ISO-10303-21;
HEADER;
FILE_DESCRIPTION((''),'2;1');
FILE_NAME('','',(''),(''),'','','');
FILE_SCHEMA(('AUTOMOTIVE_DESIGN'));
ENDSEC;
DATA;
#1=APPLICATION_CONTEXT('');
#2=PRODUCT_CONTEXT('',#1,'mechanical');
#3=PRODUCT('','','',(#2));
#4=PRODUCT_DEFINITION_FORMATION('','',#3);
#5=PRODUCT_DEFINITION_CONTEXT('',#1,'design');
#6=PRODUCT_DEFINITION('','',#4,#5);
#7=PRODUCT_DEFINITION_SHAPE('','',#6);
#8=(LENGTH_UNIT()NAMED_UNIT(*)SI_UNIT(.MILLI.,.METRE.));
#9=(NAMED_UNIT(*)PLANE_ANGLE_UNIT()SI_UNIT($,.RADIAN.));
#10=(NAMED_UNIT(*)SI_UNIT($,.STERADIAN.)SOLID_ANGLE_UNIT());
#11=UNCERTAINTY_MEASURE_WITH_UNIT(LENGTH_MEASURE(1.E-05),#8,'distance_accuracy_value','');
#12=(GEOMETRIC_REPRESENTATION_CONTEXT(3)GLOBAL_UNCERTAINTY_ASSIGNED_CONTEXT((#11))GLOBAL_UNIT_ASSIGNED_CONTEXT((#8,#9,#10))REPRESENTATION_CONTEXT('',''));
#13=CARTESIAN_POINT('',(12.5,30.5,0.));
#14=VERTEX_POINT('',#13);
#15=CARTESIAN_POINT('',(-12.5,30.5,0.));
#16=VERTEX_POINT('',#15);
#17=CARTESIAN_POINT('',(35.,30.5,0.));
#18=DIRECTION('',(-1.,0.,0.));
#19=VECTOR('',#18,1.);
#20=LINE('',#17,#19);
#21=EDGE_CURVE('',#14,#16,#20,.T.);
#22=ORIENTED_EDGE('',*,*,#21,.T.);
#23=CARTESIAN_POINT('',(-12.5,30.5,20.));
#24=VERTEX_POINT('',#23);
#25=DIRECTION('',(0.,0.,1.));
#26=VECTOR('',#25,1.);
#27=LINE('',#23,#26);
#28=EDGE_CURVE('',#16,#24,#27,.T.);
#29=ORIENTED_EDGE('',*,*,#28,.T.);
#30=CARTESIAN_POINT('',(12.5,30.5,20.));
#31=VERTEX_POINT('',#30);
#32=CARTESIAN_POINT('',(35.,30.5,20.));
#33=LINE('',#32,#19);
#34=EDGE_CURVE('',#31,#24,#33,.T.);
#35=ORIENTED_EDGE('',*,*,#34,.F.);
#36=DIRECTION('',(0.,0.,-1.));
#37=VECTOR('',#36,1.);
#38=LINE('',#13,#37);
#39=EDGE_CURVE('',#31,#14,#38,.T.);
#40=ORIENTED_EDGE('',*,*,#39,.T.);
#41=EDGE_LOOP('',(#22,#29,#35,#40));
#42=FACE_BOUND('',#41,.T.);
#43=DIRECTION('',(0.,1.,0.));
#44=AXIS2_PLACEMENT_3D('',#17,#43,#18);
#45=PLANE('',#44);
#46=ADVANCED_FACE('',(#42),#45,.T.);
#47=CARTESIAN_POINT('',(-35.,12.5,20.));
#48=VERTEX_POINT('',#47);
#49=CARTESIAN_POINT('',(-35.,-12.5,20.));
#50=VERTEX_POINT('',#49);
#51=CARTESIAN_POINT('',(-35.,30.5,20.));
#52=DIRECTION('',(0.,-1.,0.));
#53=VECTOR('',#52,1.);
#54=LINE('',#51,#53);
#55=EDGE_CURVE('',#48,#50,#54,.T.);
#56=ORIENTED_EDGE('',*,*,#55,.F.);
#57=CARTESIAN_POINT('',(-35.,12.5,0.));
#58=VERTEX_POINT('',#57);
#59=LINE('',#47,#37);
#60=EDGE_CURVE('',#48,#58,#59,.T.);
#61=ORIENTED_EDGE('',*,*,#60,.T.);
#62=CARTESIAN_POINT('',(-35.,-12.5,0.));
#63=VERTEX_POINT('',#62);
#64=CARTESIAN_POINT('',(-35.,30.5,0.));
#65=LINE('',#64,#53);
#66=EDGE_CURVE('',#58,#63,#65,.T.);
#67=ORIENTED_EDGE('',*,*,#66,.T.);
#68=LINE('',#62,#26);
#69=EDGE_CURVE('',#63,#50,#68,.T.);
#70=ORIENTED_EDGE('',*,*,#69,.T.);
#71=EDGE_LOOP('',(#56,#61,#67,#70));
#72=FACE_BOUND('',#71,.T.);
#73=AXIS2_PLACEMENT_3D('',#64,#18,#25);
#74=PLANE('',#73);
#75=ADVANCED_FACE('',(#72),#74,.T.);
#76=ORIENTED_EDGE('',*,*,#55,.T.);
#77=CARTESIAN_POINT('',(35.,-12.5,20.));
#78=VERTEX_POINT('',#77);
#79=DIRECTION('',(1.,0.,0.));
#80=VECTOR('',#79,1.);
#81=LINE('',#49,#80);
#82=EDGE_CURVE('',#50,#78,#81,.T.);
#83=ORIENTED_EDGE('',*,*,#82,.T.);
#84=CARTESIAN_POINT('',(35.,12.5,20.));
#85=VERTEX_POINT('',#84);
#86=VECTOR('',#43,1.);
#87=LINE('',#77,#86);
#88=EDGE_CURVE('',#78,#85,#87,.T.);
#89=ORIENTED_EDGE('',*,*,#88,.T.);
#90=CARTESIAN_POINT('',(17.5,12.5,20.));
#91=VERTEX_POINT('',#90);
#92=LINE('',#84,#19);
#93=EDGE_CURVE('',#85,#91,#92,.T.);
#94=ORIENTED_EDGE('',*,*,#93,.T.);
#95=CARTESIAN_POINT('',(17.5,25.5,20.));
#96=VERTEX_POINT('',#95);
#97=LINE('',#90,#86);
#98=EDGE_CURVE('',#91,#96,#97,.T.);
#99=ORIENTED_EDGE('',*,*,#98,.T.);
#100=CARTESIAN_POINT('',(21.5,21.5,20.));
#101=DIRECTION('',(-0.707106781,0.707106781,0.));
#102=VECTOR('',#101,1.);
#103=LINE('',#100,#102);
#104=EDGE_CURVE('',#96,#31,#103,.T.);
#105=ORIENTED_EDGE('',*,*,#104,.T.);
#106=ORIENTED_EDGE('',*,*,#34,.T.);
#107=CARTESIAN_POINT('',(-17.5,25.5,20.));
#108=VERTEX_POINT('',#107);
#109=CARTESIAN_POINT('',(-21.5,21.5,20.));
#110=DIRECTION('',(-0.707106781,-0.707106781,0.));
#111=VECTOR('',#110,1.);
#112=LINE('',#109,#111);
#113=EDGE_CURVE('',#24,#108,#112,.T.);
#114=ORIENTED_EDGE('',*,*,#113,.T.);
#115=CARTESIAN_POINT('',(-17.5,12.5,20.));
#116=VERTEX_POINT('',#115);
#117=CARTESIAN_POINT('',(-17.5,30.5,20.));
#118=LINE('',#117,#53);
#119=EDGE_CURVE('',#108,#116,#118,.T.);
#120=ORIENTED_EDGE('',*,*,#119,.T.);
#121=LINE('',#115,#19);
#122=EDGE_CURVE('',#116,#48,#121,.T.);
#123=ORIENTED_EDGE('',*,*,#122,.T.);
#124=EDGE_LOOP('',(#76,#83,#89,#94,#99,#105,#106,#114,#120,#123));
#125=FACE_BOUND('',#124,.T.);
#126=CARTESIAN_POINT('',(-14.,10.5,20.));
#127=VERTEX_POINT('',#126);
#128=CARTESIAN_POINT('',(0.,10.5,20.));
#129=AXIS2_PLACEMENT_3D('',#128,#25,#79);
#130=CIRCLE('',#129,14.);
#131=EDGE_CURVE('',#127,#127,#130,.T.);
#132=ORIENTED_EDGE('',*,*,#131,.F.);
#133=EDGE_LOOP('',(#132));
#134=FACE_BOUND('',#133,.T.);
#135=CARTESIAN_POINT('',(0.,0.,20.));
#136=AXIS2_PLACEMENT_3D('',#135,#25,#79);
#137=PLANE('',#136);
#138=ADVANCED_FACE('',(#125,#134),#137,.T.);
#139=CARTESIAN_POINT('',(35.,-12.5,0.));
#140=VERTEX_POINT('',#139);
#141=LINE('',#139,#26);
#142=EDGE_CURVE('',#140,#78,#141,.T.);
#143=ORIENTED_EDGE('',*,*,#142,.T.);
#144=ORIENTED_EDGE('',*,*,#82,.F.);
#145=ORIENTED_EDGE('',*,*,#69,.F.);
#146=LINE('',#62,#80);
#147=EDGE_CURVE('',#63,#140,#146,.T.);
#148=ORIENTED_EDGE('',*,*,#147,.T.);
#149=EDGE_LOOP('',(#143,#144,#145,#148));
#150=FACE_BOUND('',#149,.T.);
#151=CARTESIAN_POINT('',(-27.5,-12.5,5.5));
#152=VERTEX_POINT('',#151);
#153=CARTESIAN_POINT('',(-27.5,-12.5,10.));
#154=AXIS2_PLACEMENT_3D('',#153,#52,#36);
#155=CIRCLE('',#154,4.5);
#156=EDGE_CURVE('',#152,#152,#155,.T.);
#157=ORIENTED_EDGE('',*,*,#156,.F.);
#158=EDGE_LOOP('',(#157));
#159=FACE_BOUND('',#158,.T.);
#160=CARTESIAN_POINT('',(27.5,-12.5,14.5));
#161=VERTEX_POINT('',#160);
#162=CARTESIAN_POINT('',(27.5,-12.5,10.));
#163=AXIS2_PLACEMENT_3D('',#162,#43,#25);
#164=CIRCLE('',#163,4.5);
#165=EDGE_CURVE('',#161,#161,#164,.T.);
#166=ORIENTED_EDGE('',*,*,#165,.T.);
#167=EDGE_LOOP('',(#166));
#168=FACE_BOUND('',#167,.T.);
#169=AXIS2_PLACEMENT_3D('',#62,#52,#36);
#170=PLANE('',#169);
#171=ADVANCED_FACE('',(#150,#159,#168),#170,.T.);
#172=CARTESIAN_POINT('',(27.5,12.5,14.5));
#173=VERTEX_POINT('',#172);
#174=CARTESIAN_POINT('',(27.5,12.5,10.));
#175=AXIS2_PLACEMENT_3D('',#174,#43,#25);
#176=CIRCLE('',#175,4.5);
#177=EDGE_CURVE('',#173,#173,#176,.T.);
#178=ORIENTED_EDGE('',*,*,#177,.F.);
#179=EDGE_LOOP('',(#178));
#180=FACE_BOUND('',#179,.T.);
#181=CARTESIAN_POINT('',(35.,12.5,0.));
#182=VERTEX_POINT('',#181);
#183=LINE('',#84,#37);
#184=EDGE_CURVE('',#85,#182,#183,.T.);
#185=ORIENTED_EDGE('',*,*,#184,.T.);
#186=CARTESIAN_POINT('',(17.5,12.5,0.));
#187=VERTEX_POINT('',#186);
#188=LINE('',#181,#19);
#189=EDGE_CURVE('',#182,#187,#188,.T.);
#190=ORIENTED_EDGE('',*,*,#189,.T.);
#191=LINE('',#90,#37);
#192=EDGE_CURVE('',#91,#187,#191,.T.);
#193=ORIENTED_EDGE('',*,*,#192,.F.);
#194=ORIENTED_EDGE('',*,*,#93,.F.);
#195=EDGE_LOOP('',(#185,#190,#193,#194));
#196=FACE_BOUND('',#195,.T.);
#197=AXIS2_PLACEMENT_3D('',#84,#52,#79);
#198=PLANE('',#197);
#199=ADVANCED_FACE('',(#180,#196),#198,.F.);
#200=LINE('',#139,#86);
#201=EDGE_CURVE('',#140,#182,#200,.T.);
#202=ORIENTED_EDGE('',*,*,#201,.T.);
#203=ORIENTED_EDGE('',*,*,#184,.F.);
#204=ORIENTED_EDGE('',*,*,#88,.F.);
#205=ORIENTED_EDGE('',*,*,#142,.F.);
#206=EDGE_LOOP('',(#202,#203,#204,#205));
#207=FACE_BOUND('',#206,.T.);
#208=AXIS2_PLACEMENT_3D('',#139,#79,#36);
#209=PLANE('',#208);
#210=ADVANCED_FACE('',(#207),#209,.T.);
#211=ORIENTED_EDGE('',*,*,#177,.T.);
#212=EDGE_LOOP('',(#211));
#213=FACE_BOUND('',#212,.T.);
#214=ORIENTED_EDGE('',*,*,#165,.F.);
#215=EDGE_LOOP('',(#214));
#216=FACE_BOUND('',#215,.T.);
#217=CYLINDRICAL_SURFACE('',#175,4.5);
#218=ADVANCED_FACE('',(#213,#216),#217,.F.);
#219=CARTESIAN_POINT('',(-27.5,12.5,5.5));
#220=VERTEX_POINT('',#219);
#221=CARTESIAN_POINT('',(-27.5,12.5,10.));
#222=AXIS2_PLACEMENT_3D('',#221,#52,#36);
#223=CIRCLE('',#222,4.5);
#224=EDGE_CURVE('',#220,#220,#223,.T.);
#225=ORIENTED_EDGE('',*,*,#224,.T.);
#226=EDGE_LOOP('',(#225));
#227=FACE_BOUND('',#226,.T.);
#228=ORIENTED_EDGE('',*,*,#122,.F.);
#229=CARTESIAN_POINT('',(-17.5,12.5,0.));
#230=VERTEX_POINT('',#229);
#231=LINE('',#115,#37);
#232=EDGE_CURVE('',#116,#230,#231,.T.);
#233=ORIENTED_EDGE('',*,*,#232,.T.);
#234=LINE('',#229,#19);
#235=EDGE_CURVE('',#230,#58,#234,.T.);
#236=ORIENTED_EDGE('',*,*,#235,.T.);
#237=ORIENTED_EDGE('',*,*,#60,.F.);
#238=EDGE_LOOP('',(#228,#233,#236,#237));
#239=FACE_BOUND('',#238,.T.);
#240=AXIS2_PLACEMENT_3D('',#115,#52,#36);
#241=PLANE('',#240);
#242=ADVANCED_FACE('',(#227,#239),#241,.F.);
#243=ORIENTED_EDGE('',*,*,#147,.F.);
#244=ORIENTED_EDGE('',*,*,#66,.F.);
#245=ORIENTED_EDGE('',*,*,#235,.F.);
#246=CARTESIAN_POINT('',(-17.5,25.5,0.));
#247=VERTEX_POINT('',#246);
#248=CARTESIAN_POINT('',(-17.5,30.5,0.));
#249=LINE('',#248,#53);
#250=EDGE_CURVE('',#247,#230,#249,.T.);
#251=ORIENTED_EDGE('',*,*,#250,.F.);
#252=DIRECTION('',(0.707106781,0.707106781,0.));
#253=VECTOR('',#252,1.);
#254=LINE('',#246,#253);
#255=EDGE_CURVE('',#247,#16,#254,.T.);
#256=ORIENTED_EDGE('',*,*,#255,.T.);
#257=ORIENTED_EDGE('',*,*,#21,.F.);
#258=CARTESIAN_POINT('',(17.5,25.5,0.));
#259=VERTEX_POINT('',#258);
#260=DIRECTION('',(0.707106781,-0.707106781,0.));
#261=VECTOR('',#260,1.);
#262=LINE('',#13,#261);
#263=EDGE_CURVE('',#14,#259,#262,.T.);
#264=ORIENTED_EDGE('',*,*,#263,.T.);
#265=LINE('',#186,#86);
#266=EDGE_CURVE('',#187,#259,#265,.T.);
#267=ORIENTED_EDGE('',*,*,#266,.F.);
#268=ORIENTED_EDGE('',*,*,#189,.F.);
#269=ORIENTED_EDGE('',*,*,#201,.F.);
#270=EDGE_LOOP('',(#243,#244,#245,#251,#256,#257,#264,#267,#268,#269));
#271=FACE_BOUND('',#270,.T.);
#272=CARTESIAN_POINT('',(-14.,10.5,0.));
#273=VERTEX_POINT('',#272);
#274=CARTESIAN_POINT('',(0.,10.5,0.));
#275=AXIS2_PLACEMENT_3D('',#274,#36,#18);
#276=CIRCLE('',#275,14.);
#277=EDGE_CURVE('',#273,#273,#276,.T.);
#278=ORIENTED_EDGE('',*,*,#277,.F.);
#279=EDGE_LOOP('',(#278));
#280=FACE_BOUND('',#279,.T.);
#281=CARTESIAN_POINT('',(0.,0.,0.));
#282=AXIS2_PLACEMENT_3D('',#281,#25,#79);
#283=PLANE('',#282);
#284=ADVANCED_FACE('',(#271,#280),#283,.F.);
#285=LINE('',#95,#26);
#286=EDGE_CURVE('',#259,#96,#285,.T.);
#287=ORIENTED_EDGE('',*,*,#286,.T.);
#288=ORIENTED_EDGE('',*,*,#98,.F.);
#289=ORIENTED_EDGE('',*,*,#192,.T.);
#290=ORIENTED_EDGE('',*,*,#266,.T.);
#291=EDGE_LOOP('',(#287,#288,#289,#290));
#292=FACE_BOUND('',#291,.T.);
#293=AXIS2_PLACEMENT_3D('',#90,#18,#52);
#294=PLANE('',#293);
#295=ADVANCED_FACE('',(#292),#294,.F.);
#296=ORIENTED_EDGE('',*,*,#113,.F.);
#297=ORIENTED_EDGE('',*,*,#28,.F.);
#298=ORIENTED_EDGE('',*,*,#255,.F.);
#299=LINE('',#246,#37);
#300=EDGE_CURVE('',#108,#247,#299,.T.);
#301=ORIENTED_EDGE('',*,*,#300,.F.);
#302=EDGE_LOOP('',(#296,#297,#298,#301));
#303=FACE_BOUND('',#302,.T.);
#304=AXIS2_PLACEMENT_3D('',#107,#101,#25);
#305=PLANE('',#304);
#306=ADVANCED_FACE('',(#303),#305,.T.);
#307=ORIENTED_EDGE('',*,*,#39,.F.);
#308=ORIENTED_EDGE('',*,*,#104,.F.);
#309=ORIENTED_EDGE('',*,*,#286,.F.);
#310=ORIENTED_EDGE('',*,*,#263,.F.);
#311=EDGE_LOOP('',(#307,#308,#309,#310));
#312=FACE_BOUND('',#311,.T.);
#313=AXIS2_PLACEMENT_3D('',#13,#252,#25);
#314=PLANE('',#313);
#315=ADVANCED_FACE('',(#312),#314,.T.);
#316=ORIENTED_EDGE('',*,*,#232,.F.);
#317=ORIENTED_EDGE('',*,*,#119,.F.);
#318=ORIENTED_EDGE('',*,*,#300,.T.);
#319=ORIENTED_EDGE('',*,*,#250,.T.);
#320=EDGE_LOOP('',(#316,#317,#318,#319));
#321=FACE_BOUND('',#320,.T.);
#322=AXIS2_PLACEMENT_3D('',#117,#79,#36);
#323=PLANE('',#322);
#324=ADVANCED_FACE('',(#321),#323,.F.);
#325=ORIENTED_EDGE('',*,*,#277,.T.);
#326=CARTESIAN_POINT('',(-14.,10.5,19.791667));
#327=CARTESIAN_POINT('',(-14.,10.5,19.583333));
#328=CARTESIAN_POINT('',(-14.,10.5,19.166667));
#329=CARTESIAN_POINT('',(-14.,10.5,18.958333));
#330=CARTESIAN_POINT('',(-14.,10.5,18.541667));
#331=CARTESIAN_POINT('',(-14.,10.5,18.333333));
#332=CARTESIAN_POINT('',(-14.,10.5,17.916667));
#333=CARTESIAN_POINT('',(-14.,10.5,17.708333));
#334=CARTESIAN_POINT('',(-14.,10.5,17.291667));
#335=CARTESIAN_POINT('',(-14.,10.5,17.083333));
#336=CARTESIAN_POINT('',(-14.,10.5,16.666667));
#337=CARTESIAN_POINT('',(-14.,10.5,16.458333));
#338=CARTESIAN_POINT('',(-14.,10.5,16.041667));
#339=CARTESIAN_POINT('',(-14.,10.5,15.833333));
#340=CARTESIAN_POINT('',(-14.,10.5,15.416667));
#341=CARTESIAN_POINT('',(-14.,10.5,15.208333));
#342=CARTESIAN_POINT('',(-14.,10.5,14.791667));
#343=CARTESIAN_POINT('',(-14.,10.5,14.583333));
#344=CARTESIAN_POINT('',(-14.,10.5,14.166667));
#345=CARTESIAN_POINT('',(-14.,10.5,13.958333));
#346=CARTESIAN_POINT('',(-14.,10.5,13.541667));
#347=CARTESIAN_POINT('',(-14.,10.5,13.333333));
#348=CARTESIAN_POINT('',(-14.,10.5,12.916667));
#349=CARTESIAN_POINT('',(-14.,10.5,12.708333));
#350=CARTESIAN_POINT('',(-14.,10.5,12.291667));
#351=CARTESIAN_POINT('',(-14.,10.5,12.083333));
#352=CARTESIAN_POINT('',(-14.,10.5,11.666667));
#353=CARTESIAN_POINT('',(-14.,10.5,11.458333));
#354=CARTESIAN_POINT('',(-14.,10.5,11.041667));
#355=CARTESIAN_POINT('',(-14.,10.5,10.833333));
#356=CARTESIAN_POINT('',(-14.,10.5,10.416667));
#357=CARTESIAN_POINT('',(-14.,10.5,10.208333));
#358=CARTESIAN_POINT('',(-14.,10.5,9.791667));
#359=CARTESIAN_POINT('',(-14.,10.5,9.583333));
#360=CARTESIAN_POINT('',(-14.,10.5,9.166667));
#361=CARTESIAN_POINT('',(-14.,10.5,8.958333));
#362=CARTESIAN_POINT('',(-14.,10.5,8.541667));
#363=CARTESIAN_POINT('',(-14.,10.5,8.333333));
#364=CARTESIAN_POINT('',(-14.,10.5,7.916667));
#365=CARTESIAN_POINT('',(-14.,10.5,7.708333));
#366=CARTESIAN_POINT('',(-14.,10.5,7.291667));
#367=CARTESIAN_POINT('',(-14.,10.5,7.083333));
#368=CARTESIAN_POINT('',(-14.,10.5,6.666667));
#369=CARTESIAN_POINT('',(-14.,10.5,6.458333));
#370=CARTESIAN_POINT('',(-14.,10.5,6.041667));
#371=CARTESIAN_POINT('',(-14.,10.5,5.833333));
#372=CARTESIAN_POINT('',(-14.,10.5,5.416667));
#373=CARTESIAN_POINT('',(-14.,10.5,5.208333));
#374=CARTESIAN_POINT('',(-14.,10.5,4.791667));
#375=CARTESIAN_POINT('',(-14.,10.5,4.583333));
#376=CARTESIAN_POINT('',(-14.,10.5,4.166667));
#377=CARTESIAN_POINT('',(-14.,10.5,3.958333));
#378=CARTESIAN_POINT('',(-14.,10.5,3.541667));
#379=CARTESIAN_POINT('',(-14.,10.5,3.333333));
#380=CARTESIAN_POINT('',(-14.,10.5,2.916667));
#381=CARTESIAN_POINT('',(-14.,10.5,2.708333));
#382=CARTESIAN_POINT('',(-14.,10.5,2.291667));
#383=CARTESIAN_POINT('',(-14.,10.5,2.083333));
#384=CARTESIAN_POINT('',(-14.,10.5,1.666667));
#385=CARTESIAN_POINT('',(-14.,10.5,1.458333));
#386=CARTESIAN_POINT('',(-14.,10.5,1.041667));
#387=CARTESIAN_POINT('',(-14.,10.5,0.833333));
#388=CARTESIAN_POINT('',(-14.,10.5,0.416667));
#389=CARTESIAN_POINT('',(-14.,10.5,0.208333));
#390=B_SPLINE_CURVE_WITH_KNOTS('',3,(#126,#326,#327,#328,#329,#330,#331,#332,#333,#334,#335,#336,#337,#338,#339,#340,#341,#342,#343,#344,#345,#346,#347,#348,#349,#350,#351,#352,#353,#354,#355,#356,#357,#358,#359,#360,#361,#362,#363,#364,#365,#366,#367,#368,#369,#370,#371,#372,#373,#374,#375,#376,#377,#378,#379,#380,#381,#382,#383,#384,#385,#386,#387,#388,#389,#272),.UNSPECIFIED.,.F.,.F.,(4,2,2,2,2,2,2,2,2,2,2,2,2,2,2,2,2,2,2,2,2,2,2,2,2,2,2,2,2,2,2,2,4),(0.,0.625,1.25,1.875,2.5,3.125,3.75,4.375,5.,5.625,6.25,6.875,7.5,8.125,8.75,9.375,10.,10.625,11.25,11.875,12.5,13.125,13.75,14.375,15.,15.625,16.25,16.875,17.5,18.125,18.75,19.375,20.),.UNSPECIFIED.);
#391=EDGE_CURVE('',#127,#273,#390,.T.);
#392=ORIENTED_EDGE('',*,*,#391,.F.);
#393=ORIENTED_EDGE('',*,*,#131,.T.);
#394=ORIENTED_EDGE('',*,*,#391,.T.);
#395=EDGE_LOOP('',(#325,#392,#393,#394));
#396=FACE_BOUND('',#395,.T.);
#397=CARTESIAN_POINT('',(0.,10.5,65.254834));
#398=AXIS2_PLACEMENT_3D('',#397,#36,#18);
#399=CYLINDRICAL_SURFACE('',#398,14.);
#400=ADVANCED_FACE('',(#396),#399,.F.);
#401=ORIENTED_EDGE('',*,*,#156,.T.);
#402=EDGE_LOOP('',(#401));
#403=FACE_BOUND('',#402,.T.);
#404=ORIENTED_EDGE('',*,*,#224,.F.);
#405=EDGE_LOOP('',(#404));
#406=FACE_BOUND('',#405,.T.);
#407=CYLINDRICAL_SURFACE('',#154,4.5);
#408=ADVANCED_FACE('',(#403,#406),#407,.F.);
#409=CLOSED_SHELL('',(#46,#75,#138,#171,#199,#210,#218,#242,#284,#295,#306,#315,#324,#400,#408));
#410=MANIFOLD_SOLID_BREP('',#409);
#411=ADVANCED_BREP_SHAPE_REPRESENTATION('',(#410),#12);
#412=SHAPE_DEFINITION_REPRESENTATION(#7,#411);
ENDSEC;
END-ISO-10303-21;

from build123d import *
from build123d.topology import SkipClean

# Parameters (mm, degrees)
SKETCH_1_W                    = 70
SKETCH_1_H                    = 43
EXTRUDE_1_DEPTH               = 20
SKETCH_2_W                    = 17.5
SKETCH_2_H                    = 18
CUT_EXTRUDE_1_DEPTH           = 51.549480709
SKETCH_3_W                    = 17.5
SKETCH_3_H                    = 18
CUT_EXTRUDE_2_DEPTH           = 51.549480709
HOLE_WIZARD_9_0_9_1_D         = 9
HOLE_WIZARD_9_0_9_2_D         = 9
HOLE_WIZARD_9_0_9_2_DEPTH     = 43
HOLE_WIZARD_M24_1_D           = 25
HOLE_WIZARD_M24_1_CBORE_D     = 32
HOLE_WIZARD_M24_1_CBORE_DEPTH = 12
CHAMFER_1_SIZE                = 5
EXTRUDE_START                 = 12
SKETCH_15_R                   = 16
SKETCH_15_R_2                 = 14
EXTRUDE_3_DEPTH               = 12
CUT_EXTRUDE_START             = -10
SKETCH_16_R                   = 14
CUT_EXTRUDE_7_DEPTH           = 10


with BuildPart() as part:
    # 草图1 → 凸台-拉伸1 (new body)
    with BuildSketch(Plane.XY.offset(20)):
        with Locations((0, 9)):
            Rectangle(SKETCH_1_W, SKETCH_1_H)
    extrude(amount=-EXTRUDE_1_DEPTH)

    # 草图2 → 切除-拉伸1 (cut, through all)
    with BuildSketch(Plane(origin=(0, 0, 0), x_dir=(-1, 0, 0), z_dir=(0, 0, -1))):
        with Locations((26.25, 21.5)):
            Rectangle(SKETCH_2_W, SKETCH_2_H)
    extrude(amount=-CUT_EXTRUDE_1_DEPTH, mode=Mode.SUBTRACT)

    # 草图3 → 切除-拉伸2 (cut, through all)
    with BuildSketch(Plane(origin=(0, 0, 0), x_dir=(-1, 0, 0), z_dir=(0, 0, -1))):
        with Locations((-26.25, 21.5)):
            Rectangle(SKETCH_3_W, SKETCH_3_H)
    extrude(amount=-CUT_EXTRUDE_2_DEPTH, mode=Mode.SUBTRACT)

    # Ø9.0 (9) 直径孔1 (through all)
    with Locations(Plane(origin=(0, 12.5, 0), x_dir=(1, 0, 0), z_dir=(0, 1, 0))):
        with Locations((27.5, -10)):
            Hole(HOLE_WIZARD_9_0_9_1_D / 2)

    # Ø9.0 (9) 直径孔2
    with Locations(Plane(origin=(0, -12.5, 0), x_dir=(-1, 0, 0), z_dir=(0, -1, 0))):
        with Locations((27.5, -10)):
            Hole(HOLE_WIZARD_9_0_9_2_D / 2, depth=HOLE_WIZARD_9_0_9_2_DEPTH)

    # M24 六角头螺栓的柱形沉头孔1 (through all)
    with Locations(Plane.XY.offset(20)):
        with Locations((0, 10.5)):
            CounterBoreHole(HOLE_WIZARD_M24_1_D / 2, HOLE_WIZARD_M24_1_CBORE_D / 2, HOLE_WIZARD_M24_1_CBORE_DEPTH)

    # 倒角1
    chamfer_1_edges = [part.edges().sort_by_distance(p)[0] for p in [
        (-17.5, 30.5, 10),
        (17.5, 30.5, 10),
    ]]
    chamfer(chamfer_1_edges, length=CHAMFER_1_SIZE)

    # 草图15 → 凸台-拉伸3 (add)
    with BuildSketch(Plane.XY.offset(8).offset(EXTRUDE_START)):
        with Locations((0, 10.5)):
            Circle(SKETCH_15_R)
        with Locations((0, 10.5)):
            Circle(SKETCH_15_R_2, mode=Mode.SUBTRACT)
    extrude(amount=-EXTRUDE_3_DEPTH)

    # 草图16 → 切除-拉伸7 (cut)
    with SkipClean():  # the faces are left unmerged after this step: merging them gives an invalid solid
        with BuildSketch(Plane(origin=(0, 0, 0), x_dir=(-1, 0, 0), z_dir=(0, 0, -1)).offset(CUT_EXTRUDE_START)):
            with Locations((0, 10.5)):
                Circle(SKETCH_16_R)
        extrude(amount=CUT_EXTRUDE_7_DEPTH, mode=Mode.SUBTRACT)


solid = part.part
